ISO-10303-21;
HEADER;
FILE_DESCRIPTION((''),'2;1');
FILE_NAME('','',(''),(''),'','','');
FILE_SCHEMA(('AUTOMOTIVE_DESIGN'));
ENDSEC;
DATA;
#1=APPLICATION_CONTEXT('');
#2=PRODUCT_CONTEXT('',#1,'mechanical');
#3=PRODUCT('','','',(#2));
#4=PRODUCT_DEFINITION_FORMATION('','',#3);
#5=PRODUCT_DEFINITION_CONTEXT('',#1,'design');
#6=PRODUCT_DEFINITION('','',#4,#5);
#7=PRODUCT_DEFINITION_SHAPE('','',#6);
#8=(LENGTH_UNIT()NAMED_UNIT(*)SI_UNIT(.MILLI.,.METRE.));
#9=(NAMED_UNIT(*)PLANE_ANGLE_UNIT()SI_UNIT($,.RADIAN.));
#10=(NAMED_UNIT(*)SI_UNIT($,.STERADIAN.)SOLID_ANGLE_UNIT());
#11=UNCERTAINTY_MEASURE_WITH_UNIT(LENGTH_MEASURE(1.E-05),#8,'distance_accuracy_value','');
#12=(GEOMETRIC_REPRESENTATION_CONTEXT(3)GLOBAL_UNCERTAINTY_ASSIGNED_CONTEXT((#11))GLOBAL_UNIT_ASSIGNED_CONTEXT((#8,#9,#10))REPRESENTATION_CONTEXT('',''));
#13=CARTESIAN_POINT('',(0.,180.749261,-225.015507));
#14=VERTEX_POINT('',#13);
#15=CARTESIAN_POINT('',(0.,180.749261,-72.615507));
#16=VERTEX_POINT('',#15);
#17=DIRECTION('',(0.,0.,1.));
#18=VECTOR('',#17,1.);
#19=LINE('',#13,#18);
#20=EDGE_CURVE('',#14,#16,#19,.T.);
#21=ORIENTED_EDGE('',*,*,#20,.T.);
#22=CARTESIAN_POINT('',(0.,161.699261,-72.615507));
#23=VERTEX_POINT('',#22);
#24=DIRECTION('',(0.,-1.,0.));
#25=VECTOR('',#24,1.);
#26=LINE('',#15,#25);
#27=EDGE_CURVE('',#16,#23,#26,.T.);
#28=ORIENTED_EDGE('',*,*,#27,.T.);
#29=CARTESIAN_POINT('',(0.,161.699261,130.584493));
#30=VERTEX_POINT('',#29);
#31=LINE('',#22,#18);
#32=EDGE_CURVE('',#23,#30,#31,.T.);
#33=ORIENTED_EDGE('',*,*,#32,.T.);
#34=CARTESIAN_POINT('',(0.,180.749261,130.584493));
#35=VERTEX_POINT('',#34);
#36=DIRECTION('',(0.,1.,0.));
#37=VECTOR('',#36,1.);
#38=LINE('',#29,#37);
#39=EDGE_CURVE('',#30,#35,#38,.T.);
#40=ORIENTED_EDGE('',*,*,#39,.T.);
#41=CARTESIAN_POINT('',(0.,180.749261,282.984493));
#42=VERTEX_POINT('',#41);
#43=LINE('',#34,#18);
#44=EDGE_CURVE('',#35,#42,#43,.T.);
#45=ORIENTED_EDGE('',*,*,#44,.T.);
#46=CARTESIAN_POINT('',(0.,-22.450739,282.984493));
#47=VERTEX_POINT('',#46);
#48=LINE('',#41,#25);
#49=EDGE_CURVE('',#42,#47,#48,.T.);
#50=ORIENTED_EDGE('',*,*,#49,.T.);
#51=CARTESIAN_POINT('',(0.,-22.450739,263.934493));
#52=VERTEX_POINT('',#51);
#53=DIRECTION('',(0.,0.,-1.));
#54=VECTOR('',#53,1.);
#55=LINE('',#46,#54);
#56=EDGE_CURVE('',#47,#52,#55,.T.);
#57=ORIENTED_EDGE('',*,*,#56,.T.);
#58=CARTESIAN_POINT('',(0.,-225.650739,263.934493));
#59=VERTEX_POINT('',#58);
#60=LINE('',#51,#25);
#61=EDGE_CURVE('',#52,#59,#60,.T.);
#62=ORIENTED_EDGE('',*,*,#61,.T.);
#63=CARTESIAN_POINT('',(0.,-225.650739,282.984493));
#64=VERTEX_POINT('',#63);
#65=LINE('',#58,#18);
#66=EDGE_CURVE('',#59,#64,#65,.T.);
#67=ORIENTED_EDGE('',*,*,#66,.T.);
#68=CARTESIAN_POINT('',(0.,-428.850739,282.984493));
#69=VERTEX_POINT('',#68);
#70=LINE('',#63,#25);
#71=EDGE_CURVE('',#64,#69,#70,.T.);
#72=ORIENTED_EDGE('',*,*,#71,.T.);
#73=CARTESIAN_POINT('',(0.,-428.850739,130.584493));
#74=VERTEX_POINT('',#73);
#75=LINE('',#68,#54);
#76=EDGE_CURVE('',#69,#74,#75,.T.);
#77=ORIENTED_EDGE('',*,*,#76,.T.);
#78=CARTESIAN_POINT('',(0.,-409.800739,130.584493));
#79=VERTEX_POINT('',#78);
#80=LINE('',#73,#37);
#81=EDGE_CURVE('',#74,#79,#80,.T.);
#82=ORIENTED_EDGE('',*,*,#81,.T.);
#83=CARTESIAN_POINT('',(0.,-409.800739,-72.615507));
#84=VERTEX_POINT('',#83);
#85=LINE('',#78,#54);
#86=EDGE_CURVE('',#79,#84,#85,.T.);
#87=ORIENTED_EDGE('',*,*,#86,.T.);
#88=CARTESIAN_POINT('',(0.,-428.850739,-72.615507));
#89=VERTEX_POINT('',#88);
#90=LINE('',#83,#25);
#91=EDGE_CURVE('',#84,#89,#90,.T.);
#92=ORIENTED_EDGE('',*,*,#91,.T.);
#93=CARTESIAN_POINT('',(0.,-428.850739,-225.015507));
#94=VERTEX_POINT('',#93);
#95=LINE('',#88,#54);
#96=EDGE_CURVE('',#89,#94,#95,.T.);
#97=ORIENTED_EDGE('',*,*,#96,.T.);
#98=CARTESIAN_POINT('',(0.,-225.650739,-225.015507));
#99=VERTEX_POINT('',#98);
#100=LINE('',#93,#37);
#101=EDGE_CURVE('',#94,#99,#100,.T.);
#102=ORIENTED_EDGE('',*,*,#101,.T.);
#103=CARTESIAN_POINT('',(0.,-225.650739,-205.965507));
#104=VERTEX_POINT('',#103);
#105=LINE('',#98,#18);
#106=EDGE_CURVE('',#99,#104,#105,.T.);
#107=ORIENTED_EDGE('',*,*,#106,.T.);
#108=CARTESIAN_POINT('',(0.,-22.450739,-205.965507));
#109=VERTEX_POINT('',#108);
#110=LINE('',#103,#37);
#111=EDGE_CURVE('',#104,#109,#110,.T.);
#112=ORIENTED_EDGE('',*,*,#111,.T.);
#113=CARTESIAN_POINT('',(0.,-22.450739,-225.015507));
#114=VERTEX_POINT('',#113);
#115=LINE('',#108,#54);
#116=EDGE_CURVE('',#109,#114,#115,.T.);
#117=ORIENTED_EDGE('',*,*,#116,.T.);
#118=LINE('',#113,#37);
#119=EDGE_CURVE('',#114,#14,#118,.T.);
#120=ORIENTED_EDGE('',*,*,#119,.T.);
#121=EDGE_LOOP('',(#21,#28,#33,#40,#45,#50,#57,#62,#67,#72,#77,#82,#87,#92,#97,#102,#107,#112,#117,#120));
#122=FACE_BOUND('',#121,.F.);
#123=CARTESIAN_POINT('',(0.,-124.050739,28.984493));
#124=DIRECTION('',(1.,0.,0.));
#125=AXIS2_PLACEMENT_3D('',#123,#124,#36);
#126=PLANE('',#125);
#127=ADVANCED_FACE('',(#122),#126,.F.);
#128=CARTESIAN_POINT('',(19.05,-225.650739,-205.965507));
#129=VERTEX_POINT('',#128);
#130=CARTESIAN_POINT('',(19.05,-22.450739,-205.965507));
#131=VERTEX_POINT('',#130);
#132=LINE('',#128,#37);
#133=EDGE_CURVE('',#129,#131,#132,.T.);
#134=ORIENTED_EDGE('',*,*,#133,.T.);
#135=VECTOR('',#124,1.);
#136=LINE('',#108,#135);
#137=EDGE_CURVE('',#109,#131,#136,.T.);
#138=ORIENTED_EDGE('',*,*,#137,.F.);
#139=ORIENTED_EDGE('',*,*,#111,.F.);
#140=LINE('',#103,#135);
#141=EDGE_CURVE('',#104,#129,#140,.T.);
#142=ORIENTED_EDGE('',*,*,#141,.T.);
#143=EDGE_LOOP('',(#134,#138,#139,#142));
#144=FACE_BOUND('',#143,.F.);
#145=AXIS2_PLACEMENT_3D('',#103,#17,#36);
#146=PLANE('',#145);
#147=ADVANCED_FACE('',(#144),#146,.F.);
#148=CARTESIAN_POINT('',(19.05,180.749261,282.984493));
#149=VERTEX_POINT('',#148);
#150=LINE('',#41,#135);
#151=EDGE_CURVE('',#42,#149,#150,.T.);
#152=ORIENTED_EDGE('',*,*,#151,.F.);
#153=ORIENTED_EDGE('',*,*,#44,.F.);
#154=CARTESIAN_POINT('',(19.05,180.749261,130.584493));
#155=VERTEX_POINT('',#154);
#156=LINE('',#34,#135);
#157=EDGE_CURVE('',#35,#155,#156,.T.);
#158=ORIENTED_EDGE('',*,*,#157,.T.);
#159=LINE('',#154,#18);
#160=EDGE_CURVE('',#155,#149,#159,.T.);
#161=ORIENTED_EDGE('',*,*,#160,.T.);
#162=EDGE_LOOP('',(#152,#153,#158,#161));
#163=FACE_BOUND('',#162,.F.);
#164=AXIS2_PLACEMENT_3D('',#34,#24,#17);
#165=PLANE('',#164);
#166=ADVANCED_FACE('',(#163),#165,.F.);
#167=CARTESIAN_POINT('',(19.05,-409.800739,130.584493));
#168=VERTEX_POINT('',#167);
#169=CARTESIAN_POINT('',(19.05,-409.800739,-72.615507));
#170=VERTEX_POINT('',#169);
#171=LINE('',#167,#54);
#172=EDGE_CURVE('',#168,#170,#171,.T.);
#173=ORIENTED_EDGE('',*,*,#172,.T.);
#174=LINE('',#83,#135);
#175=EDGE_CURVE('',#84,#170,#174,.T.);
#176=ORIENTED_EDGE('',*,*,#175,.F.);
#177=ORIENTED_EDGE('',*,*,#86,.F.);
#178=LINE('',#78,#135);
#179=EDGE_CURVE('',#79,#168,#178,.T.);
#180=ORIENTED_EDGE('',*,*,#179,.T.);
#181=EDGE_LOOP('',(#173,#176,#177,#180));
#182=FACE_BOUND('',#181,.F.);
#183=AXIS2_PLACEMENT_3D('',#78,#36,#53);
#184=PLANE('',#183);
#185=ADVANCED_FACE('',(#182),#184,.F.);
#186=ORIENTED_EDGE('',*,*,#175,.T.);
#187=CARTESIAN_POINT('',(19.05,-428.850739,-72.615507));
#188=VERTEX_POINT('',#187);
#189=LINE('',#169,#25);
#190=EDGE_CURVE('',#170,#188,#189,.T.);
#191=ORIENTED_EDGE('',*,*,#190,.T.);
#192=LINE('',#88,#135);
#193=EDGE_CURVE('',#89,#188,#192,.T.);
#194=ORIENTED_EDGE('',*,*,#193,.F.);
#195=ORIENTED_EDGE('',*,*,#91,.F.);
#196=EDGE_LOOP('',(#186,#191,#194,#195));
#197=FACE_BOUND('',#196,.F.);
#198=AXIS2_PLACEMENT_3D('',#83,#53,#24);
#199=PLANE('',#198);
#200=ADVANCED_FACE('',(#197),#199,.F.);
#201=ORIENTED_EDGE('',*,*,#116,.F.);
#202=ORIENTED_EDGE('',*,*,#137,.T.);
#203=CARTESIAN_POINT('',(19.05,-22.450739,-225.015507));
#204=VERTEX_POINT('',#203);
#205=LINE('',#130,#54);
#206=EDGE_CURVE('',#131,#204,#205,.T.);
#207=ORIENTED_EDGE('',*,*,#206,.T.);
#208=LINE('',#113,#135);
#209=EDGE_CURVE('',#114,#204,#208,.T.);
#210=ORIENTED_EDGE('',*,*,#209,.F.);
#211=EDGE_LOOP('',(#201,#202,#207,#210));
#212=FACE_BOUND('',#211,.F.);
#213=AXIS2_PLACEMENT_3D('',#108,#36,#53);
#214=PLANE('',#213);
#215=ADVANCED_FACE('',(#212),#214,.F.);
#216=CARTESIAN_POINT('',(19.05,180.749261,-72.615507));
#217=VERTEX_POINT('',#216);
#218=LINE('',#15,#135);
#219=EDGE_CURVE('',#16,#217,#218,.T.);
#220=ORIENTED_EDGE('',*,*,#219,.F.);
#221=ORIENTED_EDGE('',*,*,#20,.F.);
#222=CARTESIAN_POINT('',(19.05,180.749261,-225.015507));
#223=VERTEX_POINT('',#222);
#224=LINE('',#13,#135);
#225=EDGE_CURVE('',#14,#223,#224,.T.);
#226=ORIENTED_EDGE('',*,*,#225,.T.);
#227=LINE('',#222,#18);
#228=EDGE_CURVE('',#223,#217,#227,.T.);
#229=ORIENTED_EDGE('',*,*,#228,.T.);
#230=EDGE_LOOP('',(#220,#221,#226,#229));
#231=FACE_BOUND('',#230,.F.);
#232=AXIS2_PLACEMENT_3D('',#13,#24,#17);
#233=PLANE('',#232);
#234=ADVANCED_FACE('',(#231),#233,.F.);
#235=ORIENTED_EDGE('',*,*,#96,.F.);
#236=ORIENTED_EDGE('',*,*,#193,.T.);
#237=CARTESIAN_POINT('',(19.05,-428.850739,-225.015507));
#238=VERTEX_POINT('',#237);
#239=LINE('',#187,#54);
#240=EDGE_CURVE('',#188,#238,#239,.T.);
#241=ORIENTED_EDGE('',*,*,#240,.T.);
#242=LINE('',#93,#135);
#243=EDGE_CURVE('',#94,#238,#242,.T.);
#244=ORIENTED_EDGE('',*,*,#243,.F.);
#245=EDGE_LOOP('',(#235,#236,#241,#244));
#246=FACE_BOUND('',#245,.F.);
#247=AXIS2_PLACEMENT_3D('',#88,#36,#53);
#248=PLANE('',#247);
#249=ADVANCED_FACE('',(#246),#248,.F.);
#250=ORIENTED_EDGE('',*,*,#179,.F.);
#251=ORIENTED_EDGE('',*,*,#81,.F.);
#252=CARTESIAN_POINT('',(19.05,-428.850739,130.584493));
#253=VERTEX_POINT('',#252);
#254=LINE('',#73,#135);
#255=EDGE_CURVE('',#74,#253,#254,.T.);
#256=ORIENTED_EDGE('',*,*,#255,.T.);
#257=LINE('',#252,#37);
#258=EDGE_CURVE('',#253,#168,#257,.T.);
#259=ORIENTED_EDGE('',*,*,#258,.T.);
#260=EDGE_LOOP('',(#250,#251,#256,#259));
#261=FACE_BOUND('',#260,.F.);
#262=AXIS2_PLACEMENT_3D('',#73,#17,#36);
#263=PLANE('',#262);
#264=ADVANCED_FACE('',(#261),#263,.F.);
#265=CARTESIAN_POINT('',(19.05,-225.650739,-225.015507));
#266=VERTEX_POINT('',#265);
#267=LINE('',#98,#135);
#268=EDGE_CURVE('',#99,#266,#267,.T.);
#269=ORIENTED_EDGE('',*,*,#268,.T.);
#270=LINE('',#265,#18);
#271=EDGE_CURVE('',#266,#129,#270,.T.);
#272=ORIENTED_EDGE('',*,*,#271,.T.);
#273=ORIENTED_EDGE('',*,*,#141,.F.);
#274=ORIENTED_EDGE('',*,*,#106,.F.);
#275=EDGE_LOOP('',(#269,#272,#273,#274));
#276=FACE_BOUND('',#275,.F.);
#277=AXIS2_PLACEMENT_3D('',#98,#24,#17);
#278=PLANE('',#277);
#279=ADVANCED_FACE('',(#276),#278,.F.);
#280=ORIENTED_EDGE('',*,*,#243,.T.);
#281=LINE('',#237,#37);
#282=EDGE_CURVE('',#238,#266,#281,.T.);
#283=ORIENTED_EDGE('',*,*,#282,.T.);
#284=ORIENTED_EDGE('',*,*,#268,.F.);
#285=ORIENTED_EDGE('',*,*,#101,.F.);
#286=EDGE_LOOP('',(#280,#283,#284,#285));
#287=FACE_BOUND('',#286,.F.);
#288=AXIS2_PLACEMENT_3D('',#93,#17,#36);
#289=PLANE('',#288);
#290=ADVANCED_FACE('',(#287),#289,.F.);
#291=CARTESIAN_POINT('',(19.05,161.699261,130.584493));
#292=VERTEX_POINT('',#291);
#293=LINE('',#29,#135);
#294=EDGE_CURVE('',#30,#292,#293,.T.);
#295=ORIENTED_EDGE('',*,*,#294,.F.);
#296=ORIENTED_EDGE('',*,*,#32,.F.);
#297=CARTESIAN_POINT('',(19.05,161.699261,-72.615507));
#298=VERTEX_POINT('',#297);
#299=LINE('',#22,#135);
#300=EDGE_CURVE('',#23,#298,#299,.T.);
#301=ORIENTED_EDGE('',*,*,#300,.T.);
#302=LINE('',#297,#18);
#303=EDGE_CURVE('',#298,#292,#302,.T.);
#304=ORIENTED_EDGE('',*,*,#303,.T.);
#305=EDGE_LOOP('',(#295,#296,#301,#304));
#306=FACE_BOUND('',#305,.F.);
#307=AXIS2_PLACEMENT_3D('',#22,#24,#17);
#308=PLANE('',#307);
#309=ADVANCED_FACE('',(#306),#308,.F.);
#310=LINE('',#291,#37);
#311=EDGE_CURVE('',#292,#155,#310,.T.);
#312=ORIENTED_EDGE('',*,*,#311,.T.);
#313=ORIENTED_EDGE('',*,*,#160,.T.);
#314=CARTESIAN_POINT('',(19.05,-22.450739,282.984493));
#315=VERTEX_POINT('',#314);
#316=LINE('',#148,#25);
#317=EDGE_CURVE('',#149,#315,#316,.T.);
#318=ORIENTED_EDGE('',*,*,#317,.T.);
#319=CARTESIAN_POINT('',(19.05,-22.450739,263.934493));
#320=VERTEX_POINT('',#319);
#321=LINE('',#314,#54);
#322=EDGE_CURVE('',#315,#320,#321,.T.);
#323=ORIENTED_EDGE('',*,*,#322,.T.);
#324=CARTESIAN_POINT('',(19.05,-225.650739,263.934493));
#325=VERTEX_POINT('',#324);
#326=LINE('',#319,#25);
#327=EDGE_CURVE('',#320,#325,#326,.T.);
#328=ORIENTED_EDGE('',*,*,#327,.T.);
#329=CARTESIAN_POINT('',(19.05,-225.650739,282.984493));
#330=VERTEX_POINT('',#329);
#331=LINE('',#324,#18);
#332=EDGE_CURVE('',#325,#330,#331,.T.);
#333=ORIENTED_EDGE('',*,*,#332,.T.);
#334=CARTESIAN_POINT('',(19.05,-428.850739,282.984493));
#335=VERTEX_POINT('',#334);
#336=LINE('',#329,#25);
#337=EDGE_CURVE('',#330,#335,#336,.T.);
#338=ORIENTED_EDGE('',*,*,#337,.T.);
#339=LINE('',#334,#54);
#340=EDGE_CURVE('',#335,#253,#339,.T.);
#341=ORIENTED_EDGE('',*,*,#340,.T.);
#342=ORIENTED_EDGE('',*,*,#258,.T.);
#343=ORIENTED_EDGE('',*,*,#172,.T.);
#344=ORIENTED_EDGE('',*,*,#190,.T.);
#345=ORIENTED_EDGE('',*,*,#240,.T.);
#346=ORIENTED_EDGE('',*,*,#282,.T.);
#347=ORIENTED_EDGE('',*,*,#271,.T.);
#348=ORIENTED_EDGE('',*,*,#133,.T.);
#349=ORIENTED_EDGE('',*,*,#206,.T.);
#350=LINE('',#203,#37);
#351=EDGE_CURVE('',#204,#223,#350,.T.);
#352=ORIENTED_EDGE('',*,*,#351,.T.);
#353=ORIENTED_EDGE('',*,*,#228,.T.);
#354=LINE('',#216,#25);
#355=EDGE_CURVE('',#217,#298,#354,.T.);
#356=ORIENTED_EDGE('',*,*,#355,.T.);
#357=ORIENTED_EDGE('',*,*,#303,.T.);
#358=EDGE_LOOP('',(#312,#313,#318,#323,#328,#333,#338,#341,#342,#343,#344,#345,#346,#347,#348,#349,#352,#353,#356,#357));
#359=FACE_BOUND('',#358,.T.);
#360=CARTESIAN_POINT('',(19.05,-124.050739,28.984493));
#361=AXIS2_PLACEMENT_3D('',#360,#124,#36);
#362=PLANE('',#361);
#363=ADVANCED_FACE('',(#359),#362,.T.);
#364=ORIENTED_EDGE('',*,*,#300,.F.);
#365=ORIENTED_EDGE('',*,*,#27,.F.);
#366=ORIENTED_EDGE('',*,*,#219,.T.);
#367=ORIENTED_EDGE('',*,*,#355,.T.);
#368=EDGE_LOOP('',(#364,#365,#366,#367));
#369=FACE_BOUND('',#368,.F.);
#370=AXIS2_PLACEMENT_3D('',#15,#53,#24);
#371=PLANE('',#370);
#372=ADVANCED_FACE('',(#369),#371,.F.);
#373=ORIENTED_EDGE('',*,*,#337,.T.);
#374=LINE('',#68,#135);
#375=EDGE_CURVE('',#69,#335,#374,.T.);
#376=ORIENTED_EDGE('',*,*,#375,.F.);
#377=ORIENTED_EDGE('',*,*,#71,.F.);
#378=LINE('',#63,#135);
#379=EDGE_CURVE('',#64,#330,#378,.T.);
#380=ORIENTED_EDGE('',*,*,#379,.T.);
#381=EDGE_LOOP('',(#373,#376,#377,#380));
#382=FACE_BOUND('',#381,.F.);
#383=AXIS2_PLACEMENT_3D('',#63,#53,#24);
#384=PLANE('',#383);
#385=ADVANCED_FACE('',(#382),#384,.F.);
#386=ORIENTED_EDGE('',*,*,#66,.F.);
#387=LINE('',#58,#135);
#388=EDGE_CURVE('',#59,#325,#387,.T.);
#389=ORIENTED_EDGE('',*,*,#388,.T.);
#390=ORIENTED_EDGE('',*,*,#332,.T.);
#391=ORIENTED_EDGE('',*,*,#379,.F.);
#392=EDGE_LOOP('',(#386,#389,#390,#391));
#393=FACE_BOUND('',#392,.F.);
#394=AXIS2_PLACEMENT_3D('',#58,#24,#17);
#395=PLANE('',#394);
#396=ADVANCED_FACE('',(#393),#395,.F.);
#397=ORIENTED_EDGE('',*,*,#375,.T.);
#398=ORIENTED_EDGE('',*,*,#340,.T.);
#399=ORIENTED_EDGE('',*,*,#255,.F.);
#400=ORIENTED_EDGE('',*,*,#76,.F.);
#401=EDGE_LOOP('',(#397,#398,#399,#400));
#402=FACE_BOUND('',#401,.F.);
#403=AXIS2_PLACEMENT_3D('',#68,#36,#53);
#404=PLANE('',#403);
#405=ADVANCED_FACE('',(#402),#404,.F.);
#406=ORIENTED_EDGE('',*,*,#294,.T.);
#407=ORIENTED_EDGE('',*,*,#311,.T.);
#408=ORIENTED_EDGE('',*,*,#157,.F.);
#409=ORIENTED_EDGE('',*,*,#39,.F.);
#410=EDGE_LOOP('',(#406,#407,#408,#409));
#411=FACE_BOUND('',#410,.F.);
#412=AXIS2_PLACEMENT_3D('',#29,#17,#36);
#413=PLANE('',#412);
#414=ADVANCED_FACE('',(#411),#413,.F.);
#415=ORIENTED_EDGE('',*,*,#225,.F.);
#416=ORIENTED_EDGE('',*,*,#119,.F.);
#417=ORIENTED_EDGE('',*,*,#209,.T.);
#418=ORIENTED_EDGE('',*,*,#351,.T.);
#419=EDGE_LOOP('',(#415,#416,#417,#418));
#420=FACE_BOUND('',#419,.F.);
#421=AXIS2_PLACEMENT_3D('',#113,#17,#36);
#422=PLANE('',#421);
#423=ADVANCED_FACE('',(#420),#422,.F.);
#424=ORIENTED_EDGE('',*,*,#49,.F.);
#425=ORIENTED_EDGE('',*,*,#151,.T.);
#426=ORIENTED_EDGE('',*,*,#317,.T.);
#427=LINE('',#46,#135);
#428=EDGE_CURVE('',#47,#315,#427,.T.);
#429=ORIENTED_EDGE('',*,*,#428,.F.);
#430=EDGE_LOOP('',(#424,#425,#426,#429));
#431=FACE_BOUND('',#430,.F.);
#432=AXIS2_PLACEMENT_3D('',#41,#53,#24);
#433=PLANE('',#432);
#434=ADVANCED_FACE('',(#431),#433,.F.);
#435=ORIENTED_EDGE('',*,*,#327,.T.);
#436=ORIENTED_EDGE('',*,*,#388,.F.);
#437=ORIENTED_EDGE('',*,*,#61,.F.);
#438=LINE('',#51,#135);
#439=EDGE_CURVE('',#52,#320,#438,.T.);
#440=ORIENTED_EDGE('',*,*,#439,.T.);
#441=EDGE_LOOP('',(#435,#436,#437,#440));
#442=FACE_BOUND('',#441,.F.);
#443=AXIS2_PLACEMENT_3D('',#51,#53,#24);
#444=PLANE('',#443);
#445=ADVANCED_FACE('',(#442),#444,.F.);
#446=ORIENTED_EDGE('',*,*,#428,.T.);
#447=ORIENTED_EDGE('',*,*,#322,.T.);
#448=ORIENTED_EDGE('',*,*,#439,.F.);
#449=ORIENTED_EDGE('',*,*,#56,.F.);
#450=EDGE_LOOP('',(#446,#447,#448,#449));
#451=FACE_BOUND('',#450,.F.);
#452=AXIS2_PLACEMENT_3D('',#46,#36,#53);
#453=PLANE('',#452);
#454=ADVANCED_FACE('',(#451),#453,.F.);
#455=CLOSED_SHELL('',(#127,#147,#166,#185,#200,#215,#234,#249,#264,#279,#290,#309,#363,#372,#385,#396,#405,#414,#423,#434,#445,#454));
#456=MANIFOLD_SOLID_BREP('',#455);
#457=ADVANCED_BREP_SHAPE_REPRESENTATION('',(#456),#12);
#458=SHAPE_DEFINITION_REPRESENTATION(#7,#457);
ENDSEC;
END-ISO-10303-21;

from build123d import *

# Parameters (mm, degrees)
F1_DEPTH = 19.05


with BuildPart() as f1:
    # F0 (on Right) → F1 (new body)
    with BuildSketch(Plane.YZ):
        Polygon((-225.6507389247, 282.9844930649), (-428.8507389247, 282.9844930649), (-428.8507389247, 130.5844930649), (-409.8007389247, 130.5844930649), (-409.8007389247, -72.6155069351), (-428.8507389247, -72.6155069351), (-428.8507389247, -225.0155069351), (-225.6507389247, -225.0155069351), (-225.6507389247, -205.9655069351), (-22.4507389247, -205.9655069351), (-22.4507389247, -225.0155069351), (180.7492610753, -225.0155069351), (180.7492610753, -72.6155069351), (161.6992610753, -72.6155069351), (161.6992610753, 130.5844930649), (180.7492610753, 130.5844930649), (180.7492610753, 282.9844930649), (-22.4507389247, 282.9844930649), (-22.4507389247, 263.9344930649), (-225.6507389247, 263.9344930649), align=None)
    extrude(amount=F1_DEPTH)


solid = f1.part
